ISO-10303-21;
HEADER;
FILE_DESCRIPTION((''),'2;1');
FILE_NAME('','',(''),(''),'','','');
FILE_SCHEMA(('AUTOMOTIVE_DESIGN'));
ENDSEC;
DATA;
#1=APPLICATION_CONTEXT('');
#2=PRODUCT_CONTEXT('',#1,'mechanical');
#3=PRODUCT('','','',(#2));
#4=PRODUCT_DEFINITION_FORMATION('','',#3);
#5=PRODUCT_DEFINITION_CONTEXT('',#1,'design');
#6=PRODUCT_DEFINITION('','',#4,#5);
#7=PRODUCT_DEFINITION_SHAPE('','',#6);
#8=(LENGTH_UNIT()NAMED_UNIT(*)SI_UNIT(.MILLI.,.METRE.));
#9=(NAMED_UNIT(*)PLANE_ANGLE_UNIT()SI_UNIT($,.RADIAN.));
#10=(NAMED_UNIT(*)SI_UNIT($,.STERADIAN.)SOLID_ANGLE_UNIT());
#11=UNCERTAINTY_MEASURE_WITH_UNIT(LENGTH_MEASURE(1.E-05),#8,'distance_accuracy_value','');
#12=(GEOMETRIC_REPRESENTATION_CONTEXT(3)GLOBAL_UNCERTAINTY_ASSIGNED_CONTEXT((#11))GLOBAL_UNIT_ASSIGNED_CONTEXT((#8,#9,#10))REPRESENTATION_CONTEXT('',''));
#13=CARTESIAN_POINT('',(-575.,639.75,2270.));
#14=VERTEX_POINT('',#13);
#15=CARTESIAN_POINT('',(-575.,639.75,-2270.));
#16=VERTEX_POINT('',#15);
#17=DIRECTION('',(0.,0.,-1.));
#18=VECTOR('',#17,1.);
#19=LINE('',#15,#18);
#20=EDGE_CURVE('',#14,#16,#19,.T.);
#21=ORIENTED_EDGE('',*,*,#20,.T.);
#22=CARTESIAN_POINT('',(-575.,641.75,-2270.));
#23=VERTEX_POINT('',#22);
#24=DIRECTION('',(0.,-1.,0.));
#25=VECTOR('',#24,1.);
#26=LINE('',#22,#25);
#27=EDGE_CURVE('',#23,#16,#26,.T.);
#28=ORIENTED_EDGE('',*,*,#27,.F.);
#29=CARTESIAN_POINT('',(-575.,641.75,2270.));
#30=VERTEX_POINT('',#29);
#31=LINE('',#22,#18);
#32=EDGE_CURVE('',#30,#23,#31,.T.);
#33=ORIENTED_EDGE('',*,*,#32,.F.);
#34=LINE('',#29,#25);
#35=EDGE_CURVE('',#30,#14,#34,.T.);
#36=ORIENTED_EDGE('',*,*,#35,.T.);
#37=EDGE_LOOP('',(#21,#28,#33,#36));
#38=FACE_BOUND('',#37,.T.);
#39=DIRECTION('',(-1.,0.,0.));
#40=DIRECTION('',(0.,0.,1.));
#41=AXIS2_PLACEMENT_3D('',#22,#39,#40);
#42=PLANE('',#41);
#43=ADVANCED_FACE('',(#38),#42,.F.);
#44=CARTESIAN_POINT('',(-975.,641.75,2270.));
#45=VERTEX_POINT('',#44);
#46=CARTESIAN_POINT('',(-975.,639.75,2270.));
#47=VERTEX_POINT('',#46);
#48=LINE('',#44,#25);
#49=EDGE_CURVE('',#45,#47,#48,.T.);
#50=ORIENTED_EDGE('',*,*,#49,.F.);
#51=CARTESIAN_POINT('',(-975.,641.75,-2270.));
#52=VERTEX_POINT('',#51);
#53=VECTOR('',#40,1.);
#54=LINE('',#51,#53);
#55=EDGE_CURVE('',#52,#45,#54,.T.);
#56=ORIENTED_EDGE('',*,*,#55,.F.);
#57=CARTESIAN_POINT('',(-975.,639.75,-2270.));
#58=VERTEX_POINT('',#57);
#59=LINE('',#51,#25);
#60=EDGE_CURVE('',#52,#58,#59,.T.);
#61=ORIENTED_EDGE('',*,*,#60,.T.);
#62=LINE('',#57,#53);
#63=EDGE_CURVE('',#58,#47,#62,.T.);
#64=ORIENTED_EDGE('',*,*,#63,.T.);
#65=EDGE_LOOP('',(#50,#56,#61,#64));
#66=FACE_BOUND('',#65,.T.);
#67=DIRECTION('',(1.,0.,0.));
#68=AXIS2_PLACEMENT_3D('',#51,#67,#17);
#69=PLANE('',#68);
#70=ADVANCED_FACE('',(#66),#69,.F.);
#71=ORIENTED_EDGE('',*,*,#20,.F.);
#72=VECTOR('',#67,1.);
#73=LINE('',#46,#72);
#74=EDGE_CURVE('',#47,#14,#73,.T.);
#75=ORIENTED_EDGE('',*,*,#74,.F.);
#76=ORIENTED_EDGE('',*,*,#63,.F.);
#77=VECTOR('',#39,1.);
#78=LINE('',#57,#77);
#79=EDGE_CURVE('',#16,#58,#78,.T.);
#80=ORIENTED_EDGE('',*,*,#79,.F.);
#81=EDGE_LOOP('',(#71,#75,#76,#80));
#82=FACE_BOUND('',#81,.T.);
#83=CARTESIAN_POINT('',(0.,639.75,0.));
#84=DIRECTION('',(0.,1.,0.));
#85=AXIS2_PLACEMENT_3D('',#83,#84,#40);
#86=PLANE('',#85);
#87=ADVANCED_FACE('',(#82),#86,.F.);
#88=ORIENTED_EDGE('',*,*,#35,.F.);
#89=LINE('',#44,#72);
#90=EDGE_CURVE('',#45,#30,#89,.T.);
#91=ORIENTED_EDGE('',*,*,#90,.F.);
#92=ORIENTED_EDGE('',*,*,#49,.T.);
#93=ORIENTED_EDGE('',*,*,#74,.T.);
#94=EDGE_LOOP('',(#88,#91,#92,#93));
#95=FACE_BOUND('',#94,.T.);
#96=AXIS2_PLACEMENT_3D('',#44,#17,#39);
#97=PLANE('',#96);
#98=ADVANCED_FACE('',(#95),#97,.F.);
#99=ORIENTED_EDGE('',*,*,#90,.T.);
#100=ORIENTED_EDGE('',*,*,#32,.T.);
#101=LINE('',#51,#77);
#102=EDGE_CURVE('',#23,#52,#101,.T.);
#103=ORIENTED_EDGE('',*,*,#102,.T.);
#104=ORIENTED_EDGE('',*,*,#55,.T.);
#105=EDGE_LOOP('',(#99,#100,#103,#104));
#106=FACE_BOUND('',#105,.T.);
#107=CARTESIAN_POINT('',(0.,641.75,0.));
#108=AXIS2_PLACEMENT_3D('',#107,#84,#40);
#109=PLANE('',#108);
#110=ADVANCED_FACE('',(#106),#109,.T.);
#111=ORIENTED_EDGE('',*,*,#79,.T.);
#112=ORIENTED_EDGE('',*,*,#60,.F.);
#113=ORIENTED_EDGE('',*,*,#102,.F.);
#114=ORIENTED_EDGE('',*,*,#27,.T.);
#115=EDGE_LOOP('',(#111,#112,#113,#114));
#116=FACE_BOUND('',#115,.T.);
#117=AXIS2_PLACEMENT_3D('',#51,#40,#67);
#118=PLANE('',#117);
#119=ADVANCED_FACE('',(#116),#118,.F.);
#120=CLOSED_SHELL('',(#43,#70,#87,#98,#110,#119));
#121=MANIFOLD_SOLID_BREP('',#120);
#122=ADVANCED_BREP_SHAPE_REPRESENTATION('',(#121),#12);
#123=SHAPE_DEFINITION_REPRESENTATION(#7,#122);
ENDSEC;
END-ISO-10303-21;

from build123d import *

# Parameters (mm, degrees)
SKETCH1_W           = 400
SKETCH1_H           = 4540
BOSS_EXTRUDE1_DEPTH = 2


with BuildPart() as part:
    # Sketch1 → Boss-Extrude1 (new body)
    with BuildSketch(Plane(origin=(0, 639.75, 0), x_dir=(1, 0, 0), z_dir=(0, 1, 0))):
        with Locations((-775, 0)):
            Rectangle(SKETCH1_W, SKETCH1_H)
    extrude(amount=BOSS_EXTRUDE1_DEPTH)


solid = part.part
